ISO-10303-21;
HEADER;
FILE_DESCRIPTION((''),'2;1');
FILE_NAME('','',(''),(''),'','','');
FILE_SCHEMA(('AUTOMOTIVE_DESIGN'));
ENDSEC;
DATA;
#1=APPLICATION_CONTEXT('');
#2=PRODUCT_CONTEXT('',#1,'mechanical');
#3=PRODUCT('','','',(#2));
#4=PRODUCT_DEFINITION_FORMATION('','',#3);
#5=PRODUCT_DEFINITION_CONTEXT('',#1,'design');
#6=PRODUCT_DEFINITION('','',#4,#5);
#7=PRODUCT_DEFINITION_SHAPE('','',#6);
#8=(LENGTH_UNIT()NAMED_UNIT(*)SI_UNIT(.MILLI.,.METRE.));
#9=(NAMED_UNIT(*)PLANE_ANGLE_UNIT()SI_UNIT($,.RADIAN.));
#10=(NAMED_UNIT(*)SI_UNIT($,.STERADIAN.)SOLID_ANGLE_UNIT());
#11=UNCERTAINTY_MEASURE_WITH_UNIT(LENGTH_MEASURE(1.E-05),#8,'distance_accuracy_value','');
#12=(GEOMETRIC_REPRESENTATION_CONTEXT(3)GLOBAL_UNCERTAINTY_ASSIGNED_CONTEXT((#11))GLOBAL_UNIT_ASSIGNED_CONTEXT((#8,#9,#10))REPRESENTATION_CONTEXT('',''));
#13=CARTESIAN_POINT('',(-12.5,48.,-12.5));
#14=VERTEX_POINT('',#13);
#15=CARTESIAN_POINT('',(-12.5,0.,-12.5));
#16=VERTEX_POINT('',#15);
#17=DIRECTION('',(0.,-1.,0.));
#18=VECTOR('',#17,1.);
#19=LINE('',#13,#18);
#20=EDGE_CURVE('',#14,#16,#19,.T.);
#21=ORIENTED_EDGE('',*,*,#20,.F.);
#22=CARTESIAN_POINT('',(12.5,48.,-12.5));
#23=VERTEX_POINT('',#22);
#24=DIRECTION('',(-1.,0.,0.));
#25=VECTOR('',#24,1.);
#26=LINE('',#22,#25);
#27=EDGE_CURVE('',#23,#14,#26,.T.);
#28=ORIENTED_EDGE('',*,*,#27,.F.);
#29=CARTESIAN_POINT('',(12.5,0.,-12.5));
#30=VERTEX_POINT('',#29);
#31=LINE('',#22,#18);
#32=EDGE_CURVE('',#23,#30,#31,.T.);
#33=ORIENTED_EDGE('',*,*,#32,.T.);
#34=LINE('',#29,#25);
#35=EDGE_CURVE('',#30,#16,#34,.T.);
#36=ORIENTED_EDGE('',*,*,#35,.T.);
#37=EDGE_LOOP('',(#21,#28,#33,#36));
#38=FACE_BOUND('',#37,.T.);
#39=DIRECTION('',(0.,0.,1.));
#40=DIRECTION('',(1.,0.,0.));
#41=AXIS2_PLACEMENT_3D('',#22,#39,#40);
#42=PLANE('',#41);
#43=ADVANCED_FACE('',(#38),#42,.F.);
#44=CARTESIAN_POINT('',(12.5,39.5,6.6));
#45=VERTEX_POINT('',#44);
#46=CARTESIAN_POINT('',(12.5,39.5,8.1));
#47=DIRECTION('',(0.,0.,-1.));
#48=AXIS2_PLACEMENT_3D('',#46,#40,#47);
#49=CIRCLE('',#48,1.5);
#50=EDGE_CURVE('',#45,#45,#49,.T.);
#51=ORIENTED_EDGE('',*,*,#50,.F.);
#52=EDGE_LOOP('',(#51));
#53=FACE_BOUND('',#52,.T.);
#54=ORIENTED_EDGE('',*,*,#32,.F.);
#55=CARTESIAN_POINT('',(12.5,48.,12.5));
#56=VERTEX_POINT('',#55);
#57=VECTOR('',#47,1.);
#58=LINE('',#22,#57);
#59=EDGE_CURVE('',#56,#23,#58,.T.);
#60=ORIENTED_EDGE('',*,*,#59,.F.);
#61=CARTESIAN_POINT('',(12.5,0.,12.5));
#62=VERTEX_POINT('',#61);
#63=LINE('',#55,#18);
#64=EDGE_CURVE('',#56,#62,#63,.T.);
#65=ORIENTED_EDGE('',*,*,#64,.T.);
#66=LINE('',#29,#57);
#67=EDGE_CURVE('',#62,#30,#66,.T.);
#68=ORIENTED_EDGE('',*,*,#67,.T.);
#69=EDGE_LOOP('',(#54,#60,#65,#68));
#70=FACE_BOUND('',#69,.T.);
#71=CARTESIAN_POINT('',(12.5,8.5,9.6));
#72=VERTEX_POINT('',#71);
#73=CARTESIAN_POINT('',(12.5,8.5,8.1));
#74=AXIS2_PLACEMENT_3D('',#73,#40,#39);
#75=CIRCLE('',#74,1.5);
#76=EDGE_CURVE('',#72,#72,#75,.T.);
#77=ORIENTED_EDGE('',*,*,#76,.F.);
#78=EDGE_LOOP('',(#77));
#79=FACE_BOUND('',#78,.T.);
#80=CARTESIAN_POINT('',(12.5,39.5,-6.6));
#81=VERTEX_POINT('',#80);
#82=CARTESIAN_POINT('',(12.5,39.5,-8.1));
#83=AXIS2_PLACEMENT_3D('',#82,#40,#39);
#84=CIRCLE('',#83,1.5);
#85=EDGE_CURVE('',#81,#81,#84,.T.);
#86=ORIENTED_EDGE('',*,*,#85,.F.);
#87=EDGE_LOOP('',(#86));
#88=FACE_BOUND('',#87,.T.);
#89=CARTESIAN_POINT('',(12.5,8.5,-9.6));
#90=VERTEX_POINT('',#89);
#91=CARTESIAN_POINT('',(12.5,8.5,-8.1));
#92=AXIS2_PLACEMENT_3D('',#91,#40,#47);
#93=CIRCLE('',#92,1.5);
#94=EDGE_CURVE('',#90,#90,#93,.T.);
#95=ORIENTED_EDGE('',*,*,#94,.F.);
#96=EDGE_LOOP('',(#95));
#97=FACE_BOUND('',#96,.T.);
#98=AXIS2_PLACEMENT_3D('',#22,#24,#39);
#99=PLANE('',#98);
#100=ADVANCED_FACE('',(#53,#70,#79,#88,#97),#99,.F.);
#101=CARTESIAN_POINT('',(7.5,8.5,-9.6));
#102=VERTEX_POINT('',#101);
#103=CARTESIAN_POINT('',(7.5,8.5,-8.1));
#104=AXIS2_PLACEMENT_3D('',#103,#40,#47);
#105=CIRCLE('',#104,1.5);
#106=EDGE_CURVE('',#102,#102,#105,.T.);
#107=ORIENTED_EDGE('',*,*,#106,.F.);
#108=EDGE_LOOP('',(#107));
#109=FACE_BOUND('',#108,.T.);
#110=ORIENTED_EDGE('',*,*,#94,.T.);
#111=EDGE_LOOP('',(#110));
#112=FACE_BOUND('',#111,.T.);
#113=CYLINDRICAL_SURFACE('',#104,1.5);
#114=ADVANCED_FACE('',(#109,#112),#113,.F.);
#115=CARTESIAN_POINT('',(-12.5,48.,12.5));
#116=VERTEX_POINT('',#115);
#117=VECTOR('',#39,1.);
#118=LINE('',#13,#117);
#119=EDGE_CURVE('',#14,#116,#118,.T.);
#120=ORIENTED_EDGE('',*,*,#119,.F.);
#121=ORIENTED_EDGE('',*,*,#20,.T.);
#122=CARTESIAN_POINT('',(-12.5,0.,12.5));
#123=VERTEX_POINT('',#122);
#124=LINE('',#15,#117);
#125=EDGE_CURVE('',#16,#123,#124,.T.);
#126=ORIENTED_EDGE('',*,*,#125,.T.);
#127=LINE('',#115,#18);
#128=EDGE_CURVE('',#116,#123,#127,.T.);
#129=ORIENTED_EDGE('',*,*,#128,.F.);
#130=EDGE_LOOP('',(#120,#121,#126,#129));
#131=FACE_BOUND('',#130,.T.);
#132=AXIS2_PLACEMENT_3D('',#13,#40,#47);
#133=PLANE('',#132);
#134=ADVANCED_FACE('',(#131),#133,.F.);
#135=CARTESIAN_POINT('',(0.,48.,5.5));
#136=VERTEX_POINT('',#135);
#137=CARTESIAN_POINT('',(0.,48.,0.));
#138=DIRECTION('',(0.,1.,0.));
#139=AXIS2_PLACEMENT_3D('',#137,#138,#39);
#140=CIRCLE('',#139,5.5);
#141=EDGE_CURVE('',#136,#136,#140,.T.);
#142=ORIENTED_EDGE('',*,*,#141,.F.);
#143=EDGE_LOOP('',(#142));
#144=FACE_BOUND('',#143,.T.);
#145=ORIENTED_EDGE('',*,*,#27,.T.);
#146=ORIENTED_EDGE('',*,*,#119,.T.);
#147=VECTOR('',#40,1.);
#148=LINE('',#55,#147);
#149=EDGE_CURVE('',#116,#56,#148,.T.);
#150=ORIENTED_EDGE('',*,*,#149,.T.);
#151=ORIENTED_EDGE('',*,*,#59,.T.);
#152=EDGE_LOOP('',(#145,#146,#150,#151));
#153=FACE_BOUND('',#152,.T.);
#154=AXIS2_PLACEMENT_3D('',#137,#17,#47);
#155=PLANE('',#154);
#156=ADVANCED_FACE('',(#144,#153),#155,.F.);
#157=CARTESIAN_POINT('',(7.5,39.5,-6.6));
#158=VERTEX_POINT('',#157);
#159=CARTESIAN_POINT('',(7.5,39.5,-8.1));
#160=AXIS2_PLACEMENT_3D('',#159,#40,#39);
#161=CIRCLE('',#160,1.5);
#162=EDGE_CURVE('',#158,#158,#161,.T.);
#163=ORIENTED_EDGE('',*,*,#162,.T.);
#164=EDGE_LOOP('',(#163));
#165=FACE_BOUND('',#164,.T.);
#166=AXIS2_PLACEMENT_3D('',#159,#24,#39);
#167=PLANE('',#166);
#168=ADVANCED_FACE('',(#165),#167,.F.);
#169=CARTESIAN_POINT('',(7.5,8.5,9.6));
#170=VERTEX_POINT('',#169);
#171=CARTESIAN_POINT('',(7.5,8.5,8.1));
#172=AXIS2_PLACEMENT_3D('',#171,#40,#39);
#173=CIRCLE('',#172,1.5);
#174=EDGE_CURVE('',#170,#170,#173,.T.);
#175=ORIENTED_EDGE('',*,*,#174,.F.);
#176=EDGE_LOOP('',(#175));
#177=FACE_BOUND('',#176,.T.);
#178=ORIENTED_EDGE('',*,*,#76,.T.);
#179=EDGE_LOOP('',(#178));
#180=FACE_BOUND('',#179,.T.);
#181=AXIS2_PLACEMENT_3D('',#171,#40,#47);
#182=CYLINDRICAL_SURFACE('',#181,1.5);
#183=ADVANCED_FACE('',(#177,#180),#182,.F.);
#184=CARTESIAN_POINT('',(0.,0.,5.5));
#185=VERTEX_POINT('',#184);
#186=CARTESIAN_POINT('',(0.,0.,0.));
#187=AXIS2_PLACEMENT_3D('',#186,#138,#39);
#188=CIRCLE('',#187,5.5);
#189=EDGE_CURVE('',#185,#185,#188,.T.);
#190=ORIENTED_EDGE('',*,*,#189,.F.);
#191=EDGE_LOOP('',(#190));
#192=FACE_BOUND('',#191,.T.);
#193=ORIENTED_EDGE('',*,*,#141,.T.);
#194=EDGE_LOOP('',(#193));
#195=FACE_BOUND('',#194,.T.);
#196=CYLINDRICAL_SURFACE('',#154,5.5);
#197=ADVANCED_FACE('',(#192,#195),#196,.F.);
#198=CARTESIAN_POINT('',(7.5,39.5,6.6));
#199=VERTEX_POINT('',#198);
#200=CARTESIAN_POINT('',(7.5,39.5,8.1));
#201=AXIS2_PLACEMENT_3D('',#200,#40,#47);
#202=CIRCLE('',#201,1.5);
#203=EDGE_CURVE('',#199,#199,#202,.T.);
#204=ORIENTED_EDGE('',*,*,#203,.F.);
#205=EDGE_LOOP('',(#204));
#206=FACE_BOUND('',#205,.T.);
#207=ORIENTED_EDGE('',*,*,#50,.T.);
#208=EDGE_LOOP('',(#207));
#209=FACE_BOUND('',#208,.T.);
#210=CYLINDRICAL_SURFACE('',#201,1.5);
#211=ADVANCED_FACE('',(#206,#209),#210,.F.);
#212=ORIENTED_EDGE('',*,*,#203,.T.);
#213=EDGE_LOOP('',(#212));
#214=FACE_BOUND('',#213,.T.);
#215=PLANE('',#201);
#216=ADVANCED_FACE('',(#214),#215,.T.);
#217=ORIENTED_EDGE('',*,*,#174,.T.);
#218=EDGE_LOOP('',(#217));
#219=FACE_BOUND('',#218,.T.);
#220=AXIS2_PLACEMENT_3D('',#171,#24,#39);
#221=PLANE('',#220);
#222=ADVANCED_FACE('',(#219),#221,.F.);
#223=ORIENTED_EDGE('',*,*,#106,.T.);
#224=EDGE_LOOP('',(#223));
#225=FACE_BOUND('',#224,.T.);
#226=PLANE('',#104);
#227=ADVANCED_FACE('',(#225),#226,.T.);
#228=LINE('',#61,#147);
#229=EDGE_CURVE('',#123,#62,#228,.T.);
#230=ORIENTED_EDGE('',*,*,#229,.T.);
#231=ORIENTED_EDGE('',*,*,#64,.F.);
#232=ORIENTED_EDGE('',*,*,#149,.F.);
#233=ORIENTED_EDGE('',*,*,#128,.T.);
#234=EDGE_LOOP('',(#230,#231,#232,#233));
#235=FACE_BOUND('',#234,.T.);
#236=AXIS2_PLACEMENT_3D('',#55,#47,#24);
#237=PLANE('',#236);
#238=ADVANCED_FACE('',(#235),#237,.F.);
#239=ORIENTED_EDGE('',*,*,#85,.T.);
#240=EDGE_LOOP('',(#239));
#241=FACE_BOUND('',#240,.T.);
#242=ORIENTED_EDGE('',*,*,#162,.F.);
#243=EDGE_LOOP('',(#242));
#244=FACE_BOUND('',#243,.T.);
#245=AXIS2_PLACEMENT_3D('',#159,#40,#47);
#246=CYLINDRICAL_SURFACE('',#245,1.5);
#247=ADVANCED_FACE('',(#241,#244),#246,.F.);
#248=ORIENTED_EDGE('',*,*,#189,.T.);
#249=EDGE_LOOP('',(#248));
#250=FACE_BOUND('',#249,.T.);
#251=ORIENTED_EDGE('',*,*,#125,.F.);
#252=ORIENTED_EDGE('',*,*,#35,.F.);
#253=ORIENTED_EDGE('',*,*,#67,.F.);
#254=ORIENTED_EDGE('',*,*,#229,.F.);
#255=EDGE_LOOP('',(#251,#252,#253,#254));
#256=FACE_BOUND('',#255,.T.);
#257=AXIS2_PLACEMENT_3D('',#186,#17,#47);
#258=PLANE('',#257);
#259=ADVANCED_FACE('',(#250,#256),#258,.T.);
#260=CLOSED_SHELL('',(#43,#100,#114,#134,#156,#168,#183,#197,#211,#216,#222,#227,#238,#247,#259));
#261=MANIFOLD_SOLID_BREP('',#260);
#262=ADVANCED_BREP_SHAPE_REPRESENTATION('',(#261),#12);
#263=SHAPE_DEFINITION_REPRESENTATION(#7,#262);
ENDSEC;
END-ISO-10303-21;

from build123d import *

# Parameters (mm, degrees)
SKETCH_1_W          = 25
SKETCH_1_H          = 25
SKETCH_1_R          = 5.5
EXTRUDE_1_DEPTH     = 48
SKETCH_2_R          = 1.5
CUT_EXTRUDE_1_DEPTH = 5


with BuildPart() as part:
    # 草图1 → 凸台-拉伸1 (new body)
    with BuildSketch(Plane(origin=(0, 0, 0), x_dir=(1, 0, 0), z_dir=(0, 1, 0))):
        Rectangle(SKETCH_1_W, SKETCH_1_H)
        Circle(SKETCH_1_R, mode=Mode.SUBTRACT)
    extrude(amount=EXTRUDE_1_DEPTH)

    # 草图2 → 切除-拉伸1 (cut)
    with BuildSketch(Plane(origin=(12.5, 0, 0), x_dir=(0, 0, -1), z_dir=(1, 0, 0))):
        with Locations((8.1, 8.5)):
            Circle(SKETCH_2_R)
        with Locations((-8.1, 8.5)):
            Circle(SKETCH_2_R)
        with Locations((-8.1, 39.5)):
            Circle(SKETCH_2_R)
        with Locations((8.1, 39.5)):
            Circle(SKETCH_2_R)
    extrude(amount=-CUT_EXTRUDE_1_DEPTH, mode=Mode.SUBTRACT)


solid = part.part
